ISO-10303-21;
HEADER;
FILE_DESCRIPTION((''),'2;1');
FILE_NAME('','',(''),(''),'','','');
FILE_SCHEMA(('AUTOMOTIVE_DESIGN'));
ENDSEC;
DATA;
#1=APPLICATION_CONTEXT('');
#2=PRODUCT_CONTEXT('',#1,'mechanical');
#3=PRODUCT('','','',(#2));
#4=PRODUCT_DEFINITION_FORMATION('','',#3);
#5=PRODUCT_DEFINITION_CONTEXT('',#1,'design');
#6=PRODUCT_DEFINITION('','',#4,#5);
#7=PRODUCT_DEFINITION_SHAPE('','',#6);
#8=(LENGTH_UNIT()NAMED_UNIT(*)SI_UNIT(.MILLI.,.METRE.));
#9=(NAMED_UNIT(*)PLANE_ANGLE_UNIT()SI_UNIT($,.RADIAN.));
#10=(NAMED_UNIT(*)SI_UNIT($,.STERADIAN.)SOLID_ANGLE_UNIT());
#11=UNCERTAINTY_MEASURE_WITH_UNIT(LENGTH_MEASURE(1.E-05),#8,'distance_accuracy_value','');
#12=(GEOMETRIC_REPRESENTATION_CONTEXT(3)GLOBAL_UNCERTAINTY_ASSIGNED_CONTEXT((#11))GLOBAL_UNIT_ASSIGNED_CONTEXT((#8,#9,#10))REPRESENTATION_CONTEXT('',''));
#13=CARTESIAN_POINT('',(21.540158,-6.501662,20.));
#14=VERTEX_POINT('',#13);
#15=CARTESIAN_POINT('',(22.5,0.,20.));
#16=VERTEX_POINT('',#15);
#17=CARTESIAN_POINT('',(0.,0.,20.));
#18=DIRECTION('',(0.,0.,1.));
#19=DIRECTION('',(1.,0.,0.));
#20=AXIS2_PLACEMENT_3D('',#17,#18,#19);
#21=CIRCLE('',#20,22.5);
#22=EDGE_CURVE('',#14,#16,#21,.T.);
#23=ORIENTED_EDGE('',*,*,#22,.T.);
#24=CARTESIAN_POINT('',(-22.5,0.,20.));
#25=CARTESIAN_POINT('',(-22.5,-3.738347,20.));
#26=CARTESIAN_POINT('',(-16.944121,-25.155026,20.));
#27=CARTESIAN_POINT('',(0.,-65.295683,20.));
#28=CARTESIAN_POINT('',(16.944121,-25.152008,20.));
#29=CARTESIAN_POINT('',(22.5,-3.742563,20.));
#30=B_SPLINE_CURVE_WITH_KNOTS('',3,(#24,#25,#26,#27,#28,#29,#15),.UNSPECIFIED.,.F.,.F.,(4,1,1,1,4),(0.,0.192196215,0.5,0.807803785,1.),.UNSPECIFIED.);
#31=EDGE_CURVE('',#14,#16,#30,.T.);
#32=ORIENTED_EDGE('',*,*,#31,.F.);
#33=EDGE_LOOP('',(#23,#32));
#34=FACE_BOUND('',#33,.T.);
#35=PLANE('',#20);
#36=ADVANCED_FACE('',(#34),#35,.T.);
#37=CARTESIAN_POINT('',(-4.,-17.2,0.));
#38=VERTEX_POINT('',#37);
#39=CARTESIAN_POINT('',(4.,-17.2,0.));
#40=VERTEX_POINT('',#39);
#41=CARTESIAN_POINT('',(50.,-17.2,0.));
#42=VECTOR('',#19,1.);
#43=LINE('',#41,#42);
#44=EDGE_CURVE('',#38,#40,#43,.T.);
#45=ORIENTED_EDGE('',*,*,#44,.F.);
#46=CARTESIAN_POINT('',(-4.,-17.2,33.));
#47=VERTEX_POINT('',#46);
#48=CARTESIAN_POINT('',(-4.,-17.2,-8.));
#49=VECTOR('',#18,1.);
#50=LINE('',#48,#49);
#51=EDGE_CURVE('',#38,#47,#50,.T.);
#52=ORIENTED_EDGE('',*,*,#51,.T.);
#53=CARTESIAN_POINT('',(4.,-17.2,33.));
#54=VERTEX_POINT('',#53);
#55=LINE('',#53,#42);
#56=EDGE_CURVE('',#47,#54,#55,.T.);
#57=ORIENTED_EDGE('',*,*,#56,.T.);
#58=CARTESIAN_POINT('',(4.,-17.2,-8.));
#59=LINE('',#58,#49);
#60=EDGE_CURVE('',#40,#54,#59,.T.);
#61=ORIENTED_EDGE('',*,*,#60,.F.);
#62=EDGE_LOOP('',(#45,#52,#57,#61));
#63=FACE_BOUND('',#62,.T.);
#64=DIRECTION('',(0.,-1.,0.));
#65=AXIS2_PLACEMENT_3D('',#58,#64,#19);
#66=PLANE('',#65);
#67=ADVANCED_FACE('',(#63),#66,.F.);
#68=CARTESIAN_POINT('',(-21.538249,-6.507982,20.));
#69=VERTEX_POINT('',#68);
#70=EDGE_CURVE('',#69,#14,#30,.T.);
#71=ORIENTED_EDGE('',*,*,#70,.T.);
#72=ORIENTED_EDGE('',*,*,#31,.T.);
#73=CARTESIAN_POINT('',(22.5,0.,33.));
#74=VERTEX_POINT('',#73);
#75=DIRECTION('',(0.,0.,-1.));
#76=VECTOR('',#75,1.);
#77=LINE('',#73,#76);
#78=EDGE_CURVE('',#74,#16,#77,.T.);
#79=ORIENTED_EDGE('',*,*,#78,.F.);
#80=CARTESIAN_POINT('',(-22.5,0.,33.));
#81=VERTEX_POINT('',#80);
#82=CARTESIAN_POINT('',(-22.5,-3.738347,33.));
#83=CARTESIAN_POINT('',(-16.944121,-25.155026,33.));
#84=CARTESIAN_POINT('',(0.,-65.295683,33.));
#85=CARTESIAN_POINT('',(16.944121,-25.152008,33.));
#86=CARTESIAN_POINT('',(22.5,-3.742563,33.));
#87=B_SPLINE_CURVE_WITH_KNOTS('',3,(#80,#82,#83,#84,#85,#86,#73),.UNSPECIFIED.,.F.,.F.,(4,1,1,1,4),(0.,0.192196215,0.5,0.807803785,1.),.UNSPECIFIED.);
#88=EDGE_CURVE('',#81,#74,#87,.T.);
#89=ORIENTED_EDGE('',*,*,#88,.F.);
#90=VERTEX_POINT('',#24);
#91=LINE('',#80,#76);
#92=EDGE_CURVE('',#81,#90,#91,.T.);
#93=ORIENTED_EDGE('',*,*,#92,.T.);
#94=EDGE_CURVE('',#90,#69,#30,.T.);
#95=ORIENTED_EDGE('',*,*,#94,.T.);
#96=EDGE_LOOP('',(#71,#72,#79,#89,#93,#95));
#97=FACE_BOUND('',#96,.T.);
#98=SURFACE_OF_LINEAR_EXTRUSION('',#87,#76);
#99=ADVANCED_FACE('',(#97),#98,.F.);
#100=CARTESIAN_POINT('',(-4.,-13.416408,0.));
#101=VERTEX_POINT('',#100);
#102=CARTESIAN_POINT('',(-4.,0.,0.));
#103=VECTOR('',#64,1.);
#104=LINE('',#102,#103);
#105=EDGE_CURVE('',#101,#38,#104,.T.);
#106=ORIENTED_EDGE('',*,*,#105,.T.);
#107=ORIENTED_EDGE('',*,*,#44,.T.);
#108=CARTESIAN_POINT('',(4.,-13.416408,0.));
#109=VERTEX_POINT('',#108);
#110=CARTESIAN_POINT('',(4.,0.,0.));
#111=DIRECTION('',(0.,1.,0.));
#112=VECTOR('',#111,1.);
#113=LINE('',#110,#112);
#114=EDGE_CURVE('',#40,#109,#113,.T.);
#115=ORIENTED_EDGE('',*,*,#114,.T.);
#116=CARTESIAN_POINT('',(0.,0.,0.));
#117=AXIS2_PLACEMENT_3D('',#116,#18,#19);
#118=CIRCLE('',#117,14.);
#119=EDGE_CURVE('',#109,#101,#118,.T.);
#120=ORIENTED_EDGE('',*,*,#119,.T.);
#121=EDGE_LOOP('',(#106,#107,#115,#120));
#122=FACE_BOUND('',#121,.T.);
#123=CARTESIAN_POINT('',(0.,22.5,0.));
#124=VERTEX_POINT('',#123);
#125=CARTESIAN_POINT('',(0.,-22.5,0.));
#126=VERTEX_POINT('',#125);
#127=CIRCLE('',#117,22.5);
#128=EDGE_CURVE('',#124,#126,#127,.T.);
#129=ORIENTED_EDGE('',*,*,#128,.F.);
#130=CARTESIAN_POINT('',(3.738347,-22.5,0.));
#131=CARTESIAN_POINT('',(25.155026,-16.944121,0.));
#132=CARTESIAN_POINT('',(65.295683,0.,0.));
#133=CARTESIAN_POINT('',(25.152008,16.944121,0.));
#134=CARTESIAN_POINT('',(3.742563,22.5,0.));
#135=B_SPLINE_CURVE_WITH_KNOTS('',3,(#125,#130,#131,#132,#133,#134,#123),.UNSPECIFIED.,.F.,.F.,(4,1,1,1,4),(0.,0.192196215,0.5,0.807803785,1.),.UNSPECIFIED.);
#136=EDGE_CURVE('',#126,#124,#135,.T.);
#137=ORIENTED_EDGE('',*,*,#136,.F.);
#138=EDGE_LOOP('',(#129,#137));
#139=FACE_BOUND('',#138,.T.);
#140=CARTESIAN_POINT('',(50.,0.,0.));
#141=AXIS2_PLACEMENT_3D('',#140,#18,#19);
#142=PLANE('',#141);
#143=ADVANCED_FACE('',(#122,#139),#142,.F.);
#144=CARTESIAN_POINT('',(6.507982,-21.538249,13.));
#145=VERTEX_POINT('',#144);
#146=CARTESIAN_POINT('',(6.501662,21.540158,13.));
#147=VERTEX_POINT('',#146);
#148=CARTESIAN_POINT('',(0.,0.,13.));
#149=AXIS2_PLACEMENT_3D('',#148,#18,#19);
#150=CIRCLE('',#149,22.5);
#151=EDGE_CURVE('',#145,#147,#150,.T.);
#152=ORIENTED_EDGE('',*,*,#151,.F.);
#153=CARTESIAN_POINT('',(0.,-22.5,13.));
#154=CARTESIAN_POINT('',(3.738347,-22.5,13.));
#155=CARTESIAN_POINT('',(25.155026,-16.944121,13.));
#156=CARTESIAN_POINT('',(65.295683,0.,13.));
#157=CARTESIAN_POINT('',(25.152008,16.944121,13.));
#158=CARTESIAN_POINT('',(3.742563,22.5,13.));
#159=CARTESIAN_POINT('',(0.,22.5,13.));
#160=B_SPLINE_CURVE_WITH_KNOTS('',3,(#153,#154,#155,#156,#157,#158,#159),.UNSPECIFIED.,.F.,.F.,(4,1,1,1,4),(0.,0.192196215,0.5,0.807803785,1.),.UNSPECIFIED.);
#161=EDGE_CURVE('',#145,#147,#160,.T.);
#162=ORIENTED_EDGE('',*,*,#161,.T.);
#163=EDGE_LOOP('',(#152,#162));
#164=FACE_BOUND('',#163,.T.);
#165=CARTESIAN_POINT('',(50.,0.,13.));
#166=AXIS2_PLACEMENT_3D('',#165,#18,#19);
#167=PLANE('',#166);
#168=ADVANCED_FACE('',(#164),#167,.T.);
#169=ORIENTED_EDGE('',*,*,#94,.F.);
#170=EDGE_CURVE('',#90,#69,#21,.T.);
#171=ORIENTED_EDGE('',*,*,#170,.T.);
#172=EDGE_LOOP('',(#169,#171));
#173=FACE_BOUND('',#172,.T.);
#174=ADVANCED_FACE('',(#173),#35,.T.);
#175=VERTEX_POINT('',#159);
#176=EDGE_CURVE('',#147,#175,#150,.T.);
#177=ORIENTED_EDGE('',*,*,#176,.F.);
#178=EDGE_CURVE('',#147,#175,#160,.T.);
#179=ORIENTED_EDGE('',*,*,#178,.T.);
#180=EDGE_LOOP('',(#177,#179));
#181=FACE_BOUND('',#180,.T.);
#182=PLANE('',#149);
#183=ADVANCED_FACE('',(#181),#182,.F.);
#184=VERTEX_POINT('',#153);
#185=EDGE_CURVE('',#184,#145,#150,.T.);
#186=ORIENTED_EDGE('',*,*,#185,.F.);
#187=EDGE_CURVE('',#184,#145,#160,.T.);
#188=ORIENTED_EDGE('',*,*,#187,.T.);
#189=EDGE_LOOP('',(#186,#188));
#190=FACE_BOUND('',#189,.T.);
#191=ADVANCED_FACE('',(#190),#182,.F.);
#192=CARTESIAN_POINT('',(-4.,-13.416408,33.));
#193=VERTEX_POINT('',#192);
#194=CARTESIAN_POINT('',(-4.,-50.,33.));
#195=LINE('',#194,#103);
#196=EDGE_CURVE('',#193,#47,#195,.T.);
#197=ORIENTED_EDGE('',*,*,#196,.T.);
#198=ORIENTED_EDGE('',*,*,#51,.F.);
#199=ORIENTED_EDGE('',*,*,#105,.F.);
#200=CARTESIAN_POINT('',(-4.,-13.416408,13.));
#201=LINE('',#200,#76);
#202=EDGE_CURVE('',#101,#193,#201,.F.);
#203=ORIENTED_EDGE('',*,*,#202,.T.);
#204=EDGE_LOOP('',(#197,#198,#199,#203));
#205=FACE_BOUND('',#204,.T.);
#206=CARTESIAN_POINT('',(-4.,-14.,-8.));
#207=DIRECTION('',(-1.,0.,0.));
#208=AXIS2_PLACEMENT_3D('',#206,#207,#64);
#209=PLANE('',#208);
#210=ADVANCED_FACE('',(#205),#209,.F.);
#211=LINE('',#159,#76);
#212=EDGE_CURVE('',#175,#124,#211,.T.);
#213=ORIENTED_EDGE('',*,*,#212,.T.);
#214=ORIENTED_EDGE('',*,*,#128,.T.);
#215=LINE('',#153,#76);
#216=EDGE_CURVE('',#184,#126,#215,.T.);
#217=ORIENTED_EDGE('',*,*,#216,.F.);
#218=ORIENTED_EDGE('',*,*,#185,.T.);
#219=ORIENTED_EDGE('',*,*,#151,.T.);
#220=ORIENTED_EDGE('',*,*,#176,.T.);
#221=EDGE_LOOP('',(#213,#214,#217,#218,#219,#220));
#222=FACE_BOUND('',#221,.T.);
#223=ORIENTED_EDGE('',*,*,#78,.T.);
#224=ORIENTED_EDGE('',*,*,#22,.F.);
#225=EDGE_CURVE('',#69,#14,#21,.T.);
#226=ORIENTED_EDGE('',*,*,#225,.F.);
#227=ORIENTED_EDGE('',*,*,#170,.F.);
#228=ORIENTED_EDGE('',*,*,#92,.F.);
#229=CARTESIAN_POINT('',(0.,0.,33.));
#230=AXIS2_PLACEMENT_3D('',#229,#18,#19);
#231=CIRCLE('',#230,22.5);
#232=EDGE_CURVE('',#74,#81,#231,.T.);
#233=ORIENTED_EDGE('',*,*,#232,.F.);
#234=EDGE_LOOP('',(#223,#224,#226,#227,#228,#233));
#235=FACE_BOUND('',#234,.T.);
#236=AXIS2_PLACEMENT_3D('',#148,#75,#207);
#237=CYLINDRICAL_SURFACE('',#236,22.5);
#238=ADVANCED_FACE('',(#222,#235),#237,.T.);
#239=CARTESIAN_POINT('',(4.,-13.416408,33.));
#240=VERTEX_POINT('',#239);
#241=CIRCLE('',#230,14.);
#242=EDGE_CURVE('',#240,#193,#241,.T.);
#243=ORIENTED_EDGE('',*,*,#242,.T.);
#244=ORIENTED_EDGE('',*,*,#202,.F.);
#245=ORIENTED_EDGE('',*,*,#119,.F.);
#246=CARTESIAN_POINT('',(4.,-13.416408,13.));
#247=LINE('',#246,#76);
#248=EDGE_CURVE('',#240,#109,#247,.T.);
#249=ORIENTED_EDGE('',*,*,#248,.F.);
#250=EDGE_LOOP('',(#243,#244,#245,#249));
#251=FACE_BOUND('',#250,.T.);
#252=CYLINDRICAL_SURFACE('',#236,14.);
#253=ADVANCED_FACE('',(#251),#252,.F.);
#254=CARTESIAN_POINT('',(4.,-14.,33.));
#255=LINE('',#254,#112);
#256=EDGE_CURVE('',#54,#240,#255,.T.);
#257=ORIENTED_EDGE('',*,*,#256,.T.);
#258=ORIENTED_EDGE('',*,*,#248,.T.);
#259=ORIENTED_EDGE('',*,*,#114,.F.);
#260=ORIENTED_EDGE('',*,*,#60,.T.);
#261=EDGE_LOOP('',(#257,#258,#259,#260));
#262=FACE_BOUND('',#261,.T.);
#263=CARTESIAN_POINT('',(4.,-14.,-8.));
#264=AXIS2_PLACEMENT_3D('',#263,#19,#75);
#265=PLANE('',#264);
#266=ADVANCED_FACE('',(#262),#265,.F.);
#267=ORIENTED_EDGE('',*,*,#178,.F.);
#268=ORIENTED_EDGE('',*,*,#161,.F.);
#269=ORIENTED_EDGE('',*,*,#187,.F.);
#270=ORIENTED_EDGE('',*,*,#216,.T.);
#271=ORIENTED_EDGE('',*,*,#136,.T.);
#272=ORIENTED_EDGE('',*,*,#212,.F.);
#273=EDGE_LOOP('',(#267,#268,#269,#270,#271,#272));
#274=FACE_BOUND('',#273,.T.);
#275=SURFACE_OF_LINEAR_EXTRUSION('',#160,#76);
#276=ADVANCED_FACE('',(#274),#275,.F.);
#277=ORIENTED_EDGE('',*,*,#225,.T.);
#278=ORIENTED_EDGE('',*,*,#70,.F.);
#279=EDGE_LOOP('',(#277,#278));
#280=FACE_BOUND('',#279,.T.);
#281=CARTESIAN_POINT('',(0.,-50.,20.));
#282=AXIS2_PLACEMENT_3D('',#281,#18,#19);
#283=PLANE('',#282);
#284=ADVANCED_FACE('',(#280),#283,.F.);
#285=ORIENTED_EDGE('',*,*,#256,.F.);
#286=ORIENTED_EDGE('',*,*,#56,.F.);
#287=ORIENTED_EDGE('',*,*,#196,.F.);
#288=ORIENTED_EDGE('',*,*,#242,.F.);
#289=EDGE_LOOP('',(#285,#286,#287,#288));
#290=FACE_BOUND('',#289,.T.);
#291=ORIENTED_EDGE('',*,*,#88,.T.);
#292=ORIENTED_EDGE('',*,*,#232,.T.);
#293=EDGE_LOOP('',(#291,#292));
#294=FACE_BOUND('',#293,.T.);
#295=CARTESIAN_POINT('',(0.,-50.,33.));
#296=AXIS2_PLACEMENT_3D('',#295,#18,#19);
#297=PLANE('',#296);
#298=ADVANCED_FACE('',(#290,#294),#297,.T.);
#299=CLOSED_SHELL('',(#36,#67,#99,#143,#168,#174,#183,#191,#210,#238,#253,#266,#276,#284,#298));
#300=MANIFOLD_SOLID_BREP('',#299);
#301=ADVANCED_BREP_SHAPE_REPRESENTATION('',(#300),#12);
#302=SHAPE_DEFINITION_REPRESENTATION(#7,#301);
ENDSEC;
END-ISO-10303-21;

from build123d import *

# Parameters (mm, degrees)
SKETCH_1_R          = 14
EXTRUDE_1_DEPTH     = 13
SKETCH_2_R          = 22.5
EXTRUDE_2_DEPTH     = 7
EXTRUDE_3_DEPTH     = 13
SKETCH_4_R          = 14
CUT_EXTRUDE_1_DEPTH = 40
CUT_EXTRUDE_2_DEPTH = 41


with BuildPart() as part:
    # 草图1 → 凸台-拉伸1 (new body)
    with BuildSketch(Plane.XY):
        with BuildLine():
            ThreePointArc((0, 22.5), (-22.5, 0), (0, -22.5))
            add(Edge.make_bspline(
                [(0, 22.5), (3.74256312, 22.5), (25.152008405, 16.944120599), (65.295682957, 0), (25.155025761, -16.944120599), (3.738346709, -22.5), (0, -22.5)],
                knots=[0, 0, 0, 0, 0.192196215, 0.5, 0.807803785, 1, 1, 1, 1], degree=3))
        make_face()
        Circle(SKETCH_1_R, mode=Mode.SUBTRACT)
    extrude(amount=EXTRUDE_1_DEPTH)

    # 草图2 → 凸台-拉伸2 (add)
    with BuildSketch(Plane.XY.offset(13)):
        Circle(SKETCH_2_R)
    extrude(amount=EXTRUDE_2_DEPTH)

    # 草图3 → 凸台-拉伸3 (add)
    with BuildSketch(Plane.XY.offset(20)):
        with BuildLine():
            ThreePointArc((22.5, 0), (0, 22.5), (-22.5, 0))
            add(Edge.make_bspline(
                [(22.5, 0), (22.5, -3.74256312), (16.944120599, -25.152008405), (0, -65.295682957), (-16.944120599, -25.155025761), (-22.5, -3.738346709), (-22.5, 0)],
                knots=[0, 0, 0, 0, 0.192196215, 0.5, 0.807803785, 1, 1, 1, 1], degree=3))
        make_face()
    extrude(amount=EXTRUDE_3_DEPTH)

    # 草图4 → 切除-拉伸1 (cut)
    with BuildSketch(Plane(origin=(0, 0, 13), x_dir=(-1, 0, 0), z_dir=(0, 0, -1))):
        Circle(SKETCH_4_R)
    extrude(amount=-CUT_EXTRUDE_1_DEPTH, mode=Mode.SUBTRACT)

    # 草图5 → 切除-拉伸2 (cut)
    with BuildSketch(Plane.XY.offset(33)):
        Polygon((-4, -14), (-4, -9.153591973), (4, -9.153591973), (4, -14), (4, -17.2), (-4, -17.2), align=None)
    extrude(amount=-CUT_EXTRUDE_2_DEPTH, mode=Mode.SUBTRACT)


solid = part.part
